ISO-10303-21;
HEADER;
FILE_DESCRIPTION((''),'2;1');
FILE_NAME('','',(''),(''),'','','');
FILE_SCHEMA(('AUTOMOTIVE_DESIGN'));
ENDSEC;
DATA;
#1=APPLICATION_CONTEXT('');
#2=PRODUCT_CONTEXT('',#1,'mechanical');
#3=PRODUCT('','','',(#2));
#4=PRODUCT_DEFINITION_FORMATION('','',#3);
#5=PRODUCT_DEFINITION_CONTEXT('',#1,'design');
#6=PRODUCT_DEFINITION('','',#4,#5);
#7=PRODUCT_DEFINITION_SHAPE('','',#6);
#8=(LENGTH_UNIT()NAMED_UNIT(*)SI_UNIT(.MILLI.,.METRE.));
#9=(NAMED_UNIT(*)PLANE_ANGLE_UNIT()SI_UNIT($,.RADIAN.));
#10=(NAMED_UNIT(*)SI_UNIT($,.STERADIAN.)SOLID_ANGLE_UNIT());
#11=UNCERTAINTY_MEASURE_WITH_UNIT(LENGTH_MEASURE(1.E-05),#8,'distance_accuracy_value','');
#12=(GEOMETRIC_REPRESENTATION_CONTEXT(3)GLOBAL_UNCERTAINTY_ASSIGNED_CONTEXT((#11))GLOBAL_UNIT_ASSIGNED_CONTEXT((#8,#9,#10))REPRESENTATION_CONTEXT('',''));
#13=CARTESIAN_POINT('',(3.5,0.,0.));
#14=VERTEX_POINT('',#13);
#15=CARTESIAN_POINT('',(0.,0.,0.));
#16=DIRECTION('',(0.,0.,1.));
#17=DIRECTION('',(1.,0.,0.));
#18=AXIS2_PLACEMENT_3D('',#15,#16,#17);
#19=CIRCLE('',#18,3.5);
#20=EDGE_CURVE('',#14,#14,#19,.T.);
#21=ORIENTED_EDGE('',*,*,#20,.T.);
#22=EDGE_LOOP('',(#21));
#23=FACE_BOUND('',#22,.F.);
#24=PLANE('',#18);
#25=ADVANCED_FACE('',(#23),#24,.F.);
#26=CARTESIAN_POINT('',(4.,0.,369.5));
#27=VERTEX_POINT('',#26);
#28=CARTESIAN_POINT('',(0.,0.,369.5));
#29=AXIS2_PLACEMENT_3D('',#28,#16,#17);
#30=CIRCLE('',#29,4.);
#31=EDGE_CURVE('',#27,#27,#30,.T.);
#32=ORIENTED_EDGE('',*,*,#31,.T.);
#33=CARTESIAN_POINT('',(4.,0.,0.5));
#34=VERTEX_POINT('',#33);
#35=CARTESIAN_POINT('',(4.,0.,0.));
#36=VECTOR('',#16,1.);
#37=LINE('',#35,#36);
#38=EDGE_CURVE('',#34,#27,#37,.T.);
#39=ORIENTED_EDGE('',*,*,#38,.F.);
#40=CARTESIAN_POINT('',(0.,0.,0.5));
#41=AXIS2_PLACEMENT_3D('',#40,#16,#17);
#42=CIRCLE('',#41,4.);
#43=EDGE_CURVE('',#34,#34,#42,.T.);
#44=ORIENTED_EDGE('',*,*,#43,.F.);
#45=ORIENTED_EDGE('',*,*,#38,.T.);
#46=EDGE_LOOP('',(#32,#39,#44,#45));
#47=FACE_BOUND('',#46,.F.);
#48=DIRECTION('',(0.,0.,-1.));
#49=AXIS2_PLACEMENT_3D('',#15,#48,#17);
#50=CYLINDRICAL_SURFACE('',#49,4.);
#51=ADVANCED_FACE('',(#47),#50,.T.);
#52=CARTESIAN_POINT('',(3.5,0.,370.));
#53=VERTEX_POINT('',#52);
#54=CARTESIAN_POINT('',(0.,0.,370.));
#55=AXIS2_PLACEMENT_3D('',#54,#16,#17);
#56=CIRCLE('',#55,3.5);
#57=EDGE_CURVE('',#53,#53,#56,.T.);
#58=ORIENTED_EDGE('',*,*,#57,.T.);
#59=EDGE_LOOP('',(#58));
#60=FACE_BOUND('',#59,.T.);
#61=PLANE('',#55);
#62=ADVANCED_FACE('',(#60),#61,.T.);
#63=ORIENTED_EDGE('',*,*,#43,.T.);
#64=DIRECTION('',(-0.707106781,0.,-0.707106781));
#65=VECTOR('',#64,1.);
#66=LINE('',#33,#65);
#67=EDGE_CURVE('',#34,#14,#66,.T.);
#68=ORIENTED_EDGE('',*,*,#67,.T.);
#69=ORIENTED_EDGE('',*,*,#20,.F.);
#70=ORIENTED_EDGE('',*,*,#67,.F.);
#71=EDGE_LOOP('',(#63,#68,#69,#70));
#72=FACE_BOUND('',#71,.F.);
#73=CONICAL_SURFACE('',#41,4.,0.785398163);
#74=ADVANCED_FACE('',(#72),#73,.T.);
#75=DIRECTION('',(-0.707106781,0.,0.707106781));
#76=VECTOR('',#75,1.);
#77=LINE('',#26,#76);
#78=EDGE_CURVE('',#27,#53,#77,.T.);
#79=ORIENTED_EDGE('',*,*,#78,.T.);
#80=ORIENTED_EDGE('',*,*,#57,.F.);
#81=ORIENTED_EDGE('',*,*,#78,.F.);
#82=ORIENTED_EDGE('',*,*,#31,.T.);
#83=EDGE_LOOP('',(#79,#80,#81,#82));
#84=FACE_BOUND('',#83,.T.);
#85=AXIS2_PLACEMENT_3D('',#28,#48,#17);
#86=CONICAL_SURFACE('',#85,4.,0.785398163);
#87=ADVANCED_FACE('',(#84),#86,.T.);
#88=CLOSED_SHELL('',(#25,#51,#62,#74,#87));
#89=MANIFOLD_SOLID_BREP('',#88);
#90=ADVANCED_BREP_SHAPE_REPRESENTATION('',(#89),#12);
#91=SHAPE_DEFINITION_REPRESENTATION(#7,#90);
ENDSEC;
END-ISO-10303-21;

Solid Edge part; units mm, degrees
sketch "Sketch1" plane through (0, 0, 0) normal (0, 0, 1) x (1, 0, 0)
  circle A0 centre (0, 0) radius 4
  dimension "D1" = 8
extrude "Protrusion1" add sketch "Sketch1" along normal blind 370
chamfer "Chamfer_1" distance 0.5 angle 45 2 edges at (-4, 0, 0) (-4, 0, 370)
cosmetic_thread "Thread1" size "Tr 8 x 2"
